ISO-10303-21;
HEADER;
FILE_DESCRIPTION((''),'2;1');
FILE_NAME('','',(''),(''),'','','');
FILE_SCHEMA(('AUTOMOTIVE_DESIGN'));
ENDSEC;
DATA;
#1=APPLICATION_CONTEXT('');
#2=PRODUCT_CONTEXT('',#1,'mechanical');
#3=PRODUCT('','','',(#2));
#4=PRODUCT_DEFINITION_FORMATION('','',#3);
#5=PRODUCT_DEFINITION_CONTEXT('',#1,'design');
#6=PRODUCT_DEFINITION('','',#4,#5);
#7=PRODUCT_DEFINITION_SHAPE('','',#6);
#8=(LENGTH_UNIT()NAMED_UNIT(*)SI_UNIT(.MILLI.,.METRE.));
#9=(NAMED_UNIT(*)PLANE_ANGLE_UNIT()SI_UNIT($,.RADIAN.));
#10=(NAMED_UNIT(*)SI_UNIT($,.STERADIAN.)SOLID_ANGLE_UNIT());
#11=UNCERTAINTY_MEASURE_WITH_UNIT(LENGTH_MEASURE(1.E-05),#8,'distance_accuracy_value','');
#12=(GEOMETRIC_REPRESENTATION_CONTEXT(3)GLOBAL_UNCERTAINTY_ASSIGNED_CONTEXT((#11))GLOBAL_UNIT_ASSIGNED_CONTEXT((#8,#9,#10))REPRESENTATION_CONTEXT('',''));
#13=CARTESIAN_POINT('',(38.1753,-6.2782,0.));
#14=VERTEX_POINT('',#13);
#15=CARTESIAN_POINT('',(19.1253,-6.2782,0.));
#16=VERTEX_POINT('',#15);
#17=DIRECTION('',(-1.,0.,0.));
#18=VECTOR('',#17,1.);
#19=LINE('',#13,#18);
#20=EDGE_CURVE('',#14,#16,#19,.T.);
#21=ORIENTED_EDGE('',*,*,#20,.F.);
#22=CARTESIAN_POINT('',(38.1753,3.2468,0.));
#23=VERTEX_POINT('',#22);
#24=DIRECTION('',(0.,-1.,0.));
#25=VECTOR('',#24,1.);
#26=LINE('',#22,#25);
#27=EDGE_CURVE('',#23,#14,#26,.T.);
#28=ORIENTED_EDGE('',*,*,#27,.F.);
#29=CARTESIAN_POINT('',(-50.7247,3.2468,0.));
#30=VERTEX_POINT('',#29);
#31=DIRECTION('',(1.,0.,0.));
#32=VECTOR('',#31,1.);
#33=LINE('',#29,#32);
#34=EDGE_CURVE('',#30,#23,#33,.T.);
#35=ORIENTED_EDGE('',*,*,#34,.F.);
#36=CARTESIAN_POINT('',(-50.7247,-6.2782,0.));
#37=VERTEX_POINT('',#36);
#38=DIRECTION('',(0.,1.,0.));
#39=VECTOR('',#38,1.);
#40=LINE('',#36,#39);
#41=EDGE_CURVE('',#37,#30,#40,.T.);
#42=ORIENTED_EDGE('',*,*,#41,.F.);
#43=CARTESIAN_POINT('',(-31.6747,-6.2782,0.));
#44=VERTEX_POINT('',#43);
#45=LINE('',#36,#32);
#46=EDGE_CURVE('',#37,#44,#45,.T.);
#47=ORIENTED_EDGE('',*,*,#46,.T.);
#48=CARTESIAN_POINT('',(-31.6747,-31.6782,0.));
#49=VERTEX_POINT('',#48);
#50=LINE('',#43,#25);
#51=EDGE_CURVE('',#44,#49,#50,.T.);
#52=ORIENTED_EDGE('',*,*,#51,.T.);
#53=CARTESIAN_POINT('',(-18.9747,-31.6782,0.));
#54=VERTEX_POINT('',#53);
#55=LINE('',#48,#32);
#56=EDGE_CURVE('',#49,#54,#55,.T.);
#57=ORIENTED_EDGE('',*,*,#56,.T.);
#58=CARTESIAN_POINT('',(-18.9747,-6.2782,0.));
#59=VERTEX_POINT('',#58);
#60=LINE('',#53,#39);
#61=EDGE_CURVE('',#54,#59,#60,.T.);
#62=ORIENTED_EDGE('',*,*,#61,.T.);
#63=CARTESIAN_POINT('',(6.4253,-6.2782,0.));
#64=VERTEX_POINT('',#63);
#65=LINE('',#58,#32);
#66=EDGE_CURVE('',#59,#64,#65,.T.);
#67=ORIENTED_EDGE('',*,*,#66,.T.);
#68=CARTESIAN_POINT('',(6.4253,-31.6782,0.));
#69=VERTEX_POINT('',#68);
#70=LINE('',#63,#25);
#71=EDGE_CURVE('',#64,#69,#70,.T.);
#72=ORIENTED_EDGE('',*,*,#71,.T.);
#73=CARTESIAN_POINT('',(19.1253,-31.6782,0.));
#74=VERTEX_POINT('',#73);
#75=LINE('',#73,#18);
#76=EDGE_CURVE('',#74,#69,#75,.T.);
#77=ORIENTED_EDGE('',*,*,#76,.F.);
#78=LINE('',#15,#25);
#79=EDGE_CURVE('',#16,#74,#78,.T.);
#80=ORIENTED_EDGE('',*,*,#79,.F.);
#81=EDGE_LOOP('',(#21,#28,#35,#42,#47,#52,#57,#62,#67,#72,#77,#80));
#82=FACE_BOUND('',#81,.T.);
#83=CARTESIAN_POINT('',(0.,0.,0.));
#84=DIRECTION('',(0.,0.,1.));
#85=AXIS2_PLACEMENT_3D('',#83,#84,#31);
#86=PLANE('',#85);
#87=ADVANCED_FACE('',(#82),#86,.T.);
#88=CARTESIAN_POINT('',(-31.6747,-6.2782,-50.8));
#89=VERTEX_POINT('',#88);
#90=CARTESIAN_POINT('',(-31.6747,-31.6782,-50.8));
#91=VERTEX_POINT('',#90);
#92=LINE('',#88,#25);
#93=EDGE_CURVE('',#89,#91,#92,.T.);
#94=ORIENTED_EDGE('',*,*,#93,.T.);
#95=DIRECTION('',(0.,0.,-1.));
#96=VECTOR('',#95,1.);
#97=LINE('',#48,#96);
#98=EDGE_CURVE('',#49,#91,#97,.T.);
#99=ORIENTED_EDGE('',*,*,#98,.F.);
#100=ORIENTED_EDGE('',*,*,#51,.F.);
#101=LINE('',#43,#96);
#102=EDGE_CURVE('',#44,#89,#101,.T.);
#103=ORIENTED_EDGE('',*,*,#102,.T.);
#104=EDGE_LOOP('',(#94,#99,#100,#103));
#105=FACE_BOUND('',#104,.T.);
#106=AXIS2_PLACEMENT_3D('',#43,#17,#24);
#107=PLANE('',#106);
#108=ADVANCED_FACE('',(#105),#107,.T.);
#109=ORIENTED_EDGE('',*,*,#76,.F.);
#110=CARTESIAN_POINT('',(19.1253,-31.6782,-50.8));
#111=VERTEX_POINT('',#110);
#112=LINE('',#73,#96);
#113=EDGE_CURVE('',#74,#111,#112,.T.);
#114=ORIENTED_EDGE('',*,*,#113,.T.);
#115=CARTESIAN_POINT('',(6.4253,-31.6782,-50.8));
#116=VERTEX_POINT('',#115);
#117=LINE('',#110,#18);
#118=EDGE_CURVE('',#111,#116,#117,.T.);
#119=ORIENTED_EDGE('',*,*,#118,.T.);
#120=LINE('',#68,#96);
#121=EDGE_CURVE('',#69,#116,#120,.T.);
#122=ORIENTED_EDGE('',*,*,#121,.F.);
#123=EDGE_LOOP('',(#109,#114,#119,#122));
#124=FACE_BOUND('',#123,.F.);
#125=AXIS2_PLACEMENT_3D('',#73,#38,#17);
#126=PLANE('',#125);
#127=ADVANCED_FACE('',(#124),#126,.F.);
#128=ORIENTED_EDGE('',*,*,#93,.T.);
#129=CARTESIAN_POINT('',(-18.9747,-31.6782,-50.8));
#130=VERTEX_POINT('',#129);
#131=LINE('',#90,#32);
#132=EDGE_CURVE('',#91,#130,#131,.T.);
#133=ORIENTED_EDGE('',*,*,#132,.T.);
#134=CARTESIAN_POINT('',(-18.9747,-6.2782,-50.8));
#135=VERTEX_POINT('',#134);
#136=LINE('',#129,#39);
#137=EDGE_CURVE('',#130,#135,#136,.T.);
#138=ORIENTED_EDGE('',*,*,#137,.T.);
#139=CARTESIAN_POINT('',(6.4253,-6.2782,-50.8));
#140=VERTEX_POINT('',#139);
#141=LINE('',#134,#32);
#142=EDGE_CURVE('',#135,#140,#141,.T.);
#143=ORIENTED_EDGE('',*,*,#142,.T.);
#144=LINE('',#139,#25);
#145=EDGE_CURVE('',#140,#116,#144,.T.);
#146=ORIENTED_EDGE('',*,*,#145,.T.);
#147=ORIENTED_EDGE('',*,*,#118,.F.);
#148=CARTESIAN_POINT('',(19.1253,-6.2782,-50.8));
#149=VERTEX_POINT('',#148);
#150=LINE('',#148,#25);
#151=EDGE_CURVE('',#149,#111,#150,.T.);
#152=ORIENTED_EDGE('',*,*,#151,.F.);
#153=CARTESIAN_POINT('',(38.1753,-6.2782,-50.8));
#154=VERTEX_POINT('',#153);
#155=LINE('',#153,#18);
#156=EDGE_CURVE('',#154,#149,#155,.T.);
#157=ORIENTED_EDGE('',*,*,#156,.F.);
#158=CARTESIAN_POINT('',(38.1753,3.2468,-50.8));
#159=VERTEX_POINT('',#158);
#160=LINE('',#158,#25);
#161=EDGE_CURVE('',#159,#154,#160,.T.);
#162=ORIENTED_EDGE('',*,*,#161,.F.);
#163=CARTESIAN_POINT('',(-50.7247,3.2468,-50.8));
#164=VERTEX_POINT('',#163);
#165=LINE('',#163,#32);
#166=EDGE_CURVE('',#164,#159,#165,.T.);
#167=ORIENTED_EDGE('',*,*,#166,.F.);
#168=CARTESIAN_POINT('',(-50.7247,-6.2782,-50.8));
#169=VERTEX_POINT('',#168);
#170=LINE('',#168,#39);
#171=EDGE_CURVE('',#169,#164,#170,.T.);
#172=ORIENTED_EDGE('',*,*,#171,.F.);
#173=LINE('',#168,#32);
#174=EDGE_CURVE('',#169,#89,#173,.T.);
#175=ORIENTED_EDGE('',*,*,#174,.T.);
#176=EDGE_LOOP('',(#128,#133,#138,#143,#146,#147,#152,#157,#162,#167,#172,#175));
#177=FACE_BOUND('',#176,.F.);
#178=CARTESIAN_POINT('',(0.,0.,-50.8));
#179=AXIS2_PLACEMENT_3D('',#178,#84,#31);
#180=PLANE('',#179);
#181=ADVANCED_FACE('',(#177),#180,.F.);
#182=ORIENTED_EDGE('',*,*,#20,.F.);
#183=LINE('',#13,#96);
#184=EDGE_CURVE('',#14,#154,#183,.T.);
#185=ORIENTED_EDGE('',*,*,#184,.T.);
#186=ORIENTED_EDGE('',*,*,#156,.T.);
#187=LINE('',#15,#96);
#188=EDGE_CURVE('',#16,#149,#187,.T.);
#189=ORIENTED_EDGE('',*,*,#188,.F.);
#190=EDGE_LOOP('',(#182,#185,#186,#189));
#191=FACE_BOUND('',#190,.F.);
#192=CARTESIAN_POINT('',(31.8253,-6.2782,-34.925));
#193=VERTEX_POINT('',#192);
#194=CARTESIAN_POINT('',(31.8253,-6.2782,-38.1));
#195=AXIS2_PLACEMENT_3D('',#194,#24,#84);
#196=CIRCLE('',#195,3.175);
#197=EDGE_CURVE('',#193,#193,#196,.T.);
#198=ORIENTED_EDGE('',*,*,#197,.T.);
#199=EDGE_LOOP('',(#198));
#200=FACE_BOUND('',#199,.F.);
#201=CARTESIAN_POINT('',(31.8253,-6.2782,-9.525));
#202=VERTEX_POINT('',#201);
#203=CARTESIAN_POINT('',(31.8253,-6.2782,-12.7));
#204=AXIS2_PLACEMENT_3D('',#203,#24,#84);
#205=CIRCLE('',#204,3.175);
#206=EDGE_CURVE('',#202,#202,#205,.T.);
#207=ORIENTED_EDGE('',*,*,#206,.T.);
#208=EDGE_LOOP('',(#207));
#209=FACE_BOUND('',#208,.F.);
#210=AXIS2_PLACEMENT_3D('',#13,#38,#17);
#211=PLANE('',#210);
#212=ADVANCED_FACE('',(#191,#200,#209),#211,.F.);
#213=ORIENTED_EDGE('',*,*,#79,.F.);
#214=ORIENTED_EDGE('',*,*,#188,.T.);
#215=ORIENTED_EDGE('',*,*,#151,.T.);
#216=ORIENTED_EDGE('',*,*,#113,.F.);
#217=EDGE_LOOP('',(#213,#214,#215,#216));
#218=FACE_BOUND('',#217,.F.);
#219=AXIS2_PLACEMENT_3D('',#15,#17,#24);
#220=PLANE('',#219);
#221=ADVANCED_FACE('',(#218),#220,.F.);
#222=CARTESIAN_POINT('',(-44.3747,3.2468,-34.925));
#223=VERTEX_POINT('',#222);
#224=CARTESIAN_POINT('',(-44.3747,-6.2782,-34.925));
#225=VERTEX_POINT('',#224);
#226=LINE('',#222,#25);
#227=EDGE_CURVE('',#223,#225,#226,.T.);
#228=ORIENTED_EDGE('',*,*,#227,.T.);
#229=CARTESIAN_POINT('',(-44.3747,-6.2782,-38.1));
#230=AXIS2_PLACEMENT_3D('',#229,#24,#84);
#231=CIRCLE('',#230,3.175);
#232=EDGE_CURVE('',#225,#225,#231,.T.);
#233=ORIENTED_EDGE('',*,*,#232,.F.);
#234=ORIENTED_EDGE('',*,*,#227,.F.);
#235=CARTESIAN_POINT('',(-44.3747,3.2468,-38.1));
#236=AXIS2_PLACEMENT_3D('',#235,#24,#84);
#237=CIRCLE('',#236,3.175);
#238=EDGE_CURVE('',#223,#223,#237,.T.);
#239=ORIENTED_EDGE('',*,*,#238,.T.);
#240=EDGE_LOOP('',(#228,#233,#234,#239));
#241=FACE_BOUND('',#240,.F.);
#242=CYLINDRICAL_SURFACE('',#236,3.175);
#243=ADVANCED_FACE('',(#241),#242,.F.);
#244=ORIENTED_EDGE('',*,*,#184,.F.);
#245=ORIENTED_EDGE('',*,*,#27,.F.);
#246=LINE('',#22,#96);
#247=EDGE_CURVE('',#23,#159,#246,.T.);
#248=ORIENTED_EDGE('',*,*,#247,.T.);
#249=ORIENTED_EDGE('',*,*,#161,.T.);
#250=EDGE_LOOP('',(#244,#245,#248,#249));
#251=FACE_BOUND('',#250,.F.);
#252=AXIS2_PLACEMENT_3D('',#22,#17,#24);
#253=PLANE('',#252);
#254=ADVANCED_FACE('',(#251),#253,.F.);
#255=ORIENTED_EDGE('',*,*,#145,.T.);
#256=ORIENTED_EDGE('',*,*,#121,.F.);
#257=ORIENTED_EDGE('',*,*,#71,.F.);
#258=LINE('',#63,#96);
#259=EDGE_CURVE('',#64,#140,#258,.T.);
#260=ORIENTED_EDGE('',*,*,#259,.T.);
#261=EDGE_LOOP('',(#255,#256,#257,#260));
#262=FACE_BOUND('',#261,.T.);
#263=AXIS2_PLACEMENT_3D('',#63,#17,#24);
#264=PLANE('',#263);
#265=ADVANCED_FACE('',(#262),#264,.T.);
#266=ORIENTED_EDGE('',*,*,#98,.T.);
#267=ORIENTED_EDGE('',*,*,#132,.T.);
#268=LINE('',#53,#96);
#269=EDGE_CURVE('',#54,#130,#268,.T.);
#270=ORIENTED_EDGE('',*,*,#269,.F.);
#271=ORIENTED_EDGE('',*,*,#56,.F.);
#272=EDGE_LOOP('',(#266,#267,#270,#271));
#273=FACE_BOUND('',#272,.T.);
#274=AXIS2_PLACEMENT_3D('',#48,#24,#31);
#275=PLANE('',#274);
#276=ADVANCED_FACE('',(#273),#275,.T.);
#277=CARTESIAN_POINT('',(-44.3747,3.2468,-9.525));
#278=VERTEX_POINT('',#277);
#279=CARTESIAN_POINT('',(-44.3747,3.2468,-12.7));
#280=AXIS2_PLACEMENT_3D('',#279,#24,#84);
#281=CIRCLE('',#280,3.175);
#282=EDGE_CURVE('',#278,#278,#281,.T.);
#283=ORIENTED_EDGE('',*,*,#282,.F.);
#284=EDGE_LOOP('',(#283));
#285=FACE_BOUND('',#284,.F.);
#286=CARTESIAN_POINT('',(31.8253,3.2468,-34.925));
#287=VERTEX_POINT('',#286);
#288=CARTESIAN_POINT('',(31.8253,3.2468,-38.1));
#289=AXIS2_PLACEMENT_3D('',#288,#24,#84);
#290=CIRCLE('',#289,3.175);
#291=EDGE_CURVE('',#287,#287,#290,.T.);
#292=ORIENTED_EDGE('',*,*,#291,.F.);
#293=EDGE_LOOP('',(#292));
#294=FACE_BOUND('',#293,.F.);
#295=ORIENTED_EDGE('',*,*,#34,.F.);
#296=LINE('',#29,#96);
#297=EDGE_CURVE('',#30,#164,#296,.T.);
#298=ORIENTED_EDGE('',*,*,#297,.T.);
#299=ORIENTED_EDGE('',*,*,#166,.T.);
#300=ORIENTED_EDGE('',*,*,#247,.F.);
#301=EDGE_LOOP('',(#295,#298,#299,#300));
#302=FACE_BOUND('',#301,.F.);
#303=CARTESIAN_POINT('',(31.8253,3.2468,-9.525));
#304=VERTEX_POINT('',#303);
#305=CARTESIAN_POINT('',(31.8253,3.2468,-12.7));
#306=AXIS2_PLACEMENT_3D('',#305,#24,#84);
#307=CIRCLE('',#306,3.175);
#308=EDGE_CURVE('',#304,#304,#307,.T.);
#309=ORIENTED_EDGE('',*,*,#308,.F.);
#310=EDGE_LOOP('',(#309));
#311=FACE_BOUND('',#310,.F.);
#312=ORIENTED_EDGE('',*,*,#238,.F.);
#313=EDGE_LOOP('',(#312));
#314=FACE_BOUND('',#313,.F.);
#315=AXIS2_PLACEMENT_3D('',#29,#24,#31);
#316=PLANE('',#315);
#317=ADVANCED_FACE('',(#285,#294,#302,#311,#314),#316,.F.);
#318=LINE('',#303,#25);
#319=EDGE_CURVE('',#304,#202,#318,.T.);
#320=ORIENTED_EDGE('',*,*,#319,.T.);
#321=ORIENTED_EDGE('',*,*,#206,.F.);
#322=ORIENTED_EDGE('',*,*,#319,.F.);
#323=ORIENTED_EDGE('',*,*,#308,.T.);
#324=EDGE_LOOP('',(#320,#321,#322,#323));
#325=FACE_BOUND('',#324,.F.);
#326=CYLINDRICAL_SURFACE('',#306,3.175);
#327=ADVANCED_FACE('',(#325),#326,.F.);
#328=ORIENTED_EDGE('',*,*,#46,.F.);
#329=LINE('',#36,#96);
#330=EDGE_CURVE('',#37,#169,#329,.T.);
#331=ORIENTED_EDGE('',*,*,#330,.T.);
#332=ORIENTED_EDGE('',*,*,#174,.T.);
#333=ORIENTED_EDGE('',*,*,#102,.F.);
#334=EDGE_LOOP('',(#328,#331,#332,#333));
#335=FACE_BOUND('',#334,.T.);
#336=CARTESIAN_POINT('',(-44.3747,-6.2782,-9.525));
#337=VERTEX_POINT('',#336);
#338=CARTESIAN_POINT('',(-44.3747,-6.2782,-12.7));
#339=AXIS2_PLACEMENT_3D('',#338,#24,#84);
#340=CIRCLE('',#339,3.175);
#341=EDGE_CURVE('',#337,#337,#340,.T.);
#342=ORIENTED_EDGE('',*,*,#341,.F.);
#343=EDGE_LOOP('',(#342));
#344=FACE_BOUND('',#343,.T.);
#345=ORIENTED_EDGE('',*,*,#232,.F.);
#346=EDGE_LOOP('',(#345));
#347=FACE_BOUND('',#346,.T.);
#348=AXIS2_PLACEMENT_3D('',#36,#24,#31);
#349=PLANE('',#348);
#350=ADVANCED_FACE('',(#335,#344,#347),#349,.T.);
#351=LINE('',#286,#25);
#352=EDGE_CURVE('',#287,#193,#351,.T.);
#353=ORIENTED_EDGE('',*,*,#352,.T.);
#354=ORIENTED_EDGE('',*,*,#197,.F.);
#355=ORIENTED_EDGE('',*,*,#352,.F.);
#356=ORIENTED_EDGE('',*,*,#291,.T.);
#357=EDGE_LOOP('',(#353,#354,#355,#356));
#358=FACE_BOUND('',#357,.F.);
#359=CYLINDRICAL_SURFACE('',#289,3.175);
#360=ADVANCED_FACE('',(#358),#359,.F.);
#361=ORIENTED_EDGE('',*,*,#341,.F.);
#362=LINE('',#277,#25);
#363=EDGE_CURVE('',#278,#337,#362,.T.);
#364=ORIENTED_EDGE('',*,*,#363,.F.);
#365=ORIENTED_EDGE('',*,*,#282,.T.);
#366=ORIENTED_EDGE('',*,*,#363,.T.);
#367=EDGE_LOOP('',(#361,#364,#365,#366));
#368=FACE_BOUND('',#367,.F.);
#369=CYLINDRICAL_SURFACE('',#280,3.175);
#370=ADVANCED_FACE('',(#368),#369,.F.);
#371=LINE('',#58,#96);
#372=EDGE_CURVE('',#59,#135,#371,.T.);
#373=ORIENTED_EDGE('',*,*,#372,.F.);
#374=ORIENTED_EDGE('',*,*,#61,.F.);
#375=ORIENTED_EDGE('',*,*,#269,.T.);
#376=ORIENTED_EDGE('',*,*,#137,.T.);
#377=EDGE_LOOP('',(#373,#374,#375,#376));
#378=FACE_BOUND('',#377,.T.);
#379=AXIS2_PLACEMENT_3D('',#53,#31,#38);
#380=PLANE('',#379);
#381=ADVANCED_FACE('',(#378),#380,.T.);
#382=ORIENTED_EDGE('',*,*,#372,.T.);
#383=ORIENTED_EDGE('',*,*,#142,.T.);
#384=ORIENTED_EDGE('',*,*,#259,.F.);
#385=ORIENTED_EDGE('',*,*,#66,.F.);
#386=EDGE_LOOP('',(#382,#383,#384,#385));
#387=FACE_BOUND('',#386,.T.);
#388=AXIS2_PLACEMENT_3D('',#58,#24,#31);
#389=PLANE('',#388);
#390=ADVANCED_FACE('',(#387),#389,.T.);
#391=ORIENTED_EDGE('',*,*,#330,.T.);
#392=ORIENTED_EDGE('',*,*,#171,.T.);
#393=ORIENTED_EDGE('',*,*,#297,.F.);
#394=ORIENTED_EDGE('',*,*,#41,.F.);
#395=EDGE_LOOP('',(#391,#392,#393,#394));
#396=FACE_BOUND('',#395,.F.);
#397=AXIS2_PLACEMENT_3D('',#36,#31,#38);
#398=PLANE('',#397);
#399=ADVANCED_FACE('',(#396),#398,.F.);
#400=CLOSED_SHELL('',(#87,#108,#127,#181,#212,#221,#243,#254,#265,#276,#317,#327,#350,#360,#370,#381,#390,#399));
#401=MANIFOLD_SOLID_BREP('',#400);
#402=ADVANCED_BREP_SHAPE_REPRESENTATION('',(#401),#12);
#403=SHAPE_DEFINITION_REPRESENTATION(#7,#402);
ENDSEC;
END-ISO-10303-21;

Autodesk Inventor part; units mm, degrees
ref_plane "YZ Plane" through (0, 0, 0) normal (1, 0, 0) x (0, 1, 0)
ref_plane "XZ Plane" through (0, 0, 0) normal (0, 1, 0) x (-1, 0, 0)
ref_plane "XY Plane" through (0, 0, 0) normal (0, 0, 1) x (1, 0, 0)
sketch "Sketch1" plane through (0, 0, 0) normal (0, 0, 1) x (1, 0, 0)
  line L0 (-50.7247, 3.2468) -> (38.1753, 3.2468)
  line L1 (38.1753, 3.2468) -> (38.1753, -6.2782)
  line L2 (-50.7247, -6.2782) -> (-50.7247, 3.2468)
  line L3 (38.1753, -6.2782) -> (19.1253, -6.2782)
  line L4 (-50.7247, -6.2782) -> (-31.6747, -6.2782)
  line L5 (-31.6747, -6.2782) -> (-31.6747, -31.6782)
  line L6 (19.1253, -6.2782) -> (19.1253, -31.6782)
  line L7 (19.1253, -31.6782) -> (6.4253, -31.6782)
  line L8 (-31.6747, -31.6782) -> (-18.9747, -31.6782)
  line L9 (-18.9747, -31.6782) -> (-18.9747, -6.2782)
  line L10 (-18.9747, -6.2782) -> (6.4253, -6.2782)
  line L11 (6.4253, -6.2782) -> (6.4253, -31.6782)
  point P0 (0, 0)
  dimension "d0" = 88.9
  dimension "d1" = 9.525
  dimension "d2" = 19.05
  dimension "d3" = 19.05
  dimension "d4" = 25.4
  dimension "d5" = 12.7
  dimension "d6" = 12.7
extrude "Extrusion1" add sketch "Sketch1" against normal blind 50.8
sketch "Sketch2" plane through (-50.7247, 3.2468, 0) normal (0, 1, 0) x (1, 0, 0)
  line L0 (88.9, 50.8) -> (0, 50.8) projected
  line L1 (0, 0) -> (88.9, 0) projected
  line L2 (88.9, 0) -> (88.9, 50.8) projected
  line L3 (44.45, 0) -> (44.45, 50.8)
  point P0 (50.7247, 0)
  point P1 (82.55, 12.7)
  point P2 (82.55, 38.1)
  point P3 (6.35, 38.1)
  point P4 (6.35, 12.7)
  dimension "d9" = 44.45
  dimension "d10" = 38.1
  dimension "d11" = 38.1
  dimension "d12" = 38.1
  dimension "d13" = 38.1
  dimension "d14" = 25.4
  dimension "d15" = 25.4
  dimension "d16" = 12.7
  dimension "d17" = 12.7
hole "Hole1" at (31.8253, 3.2468, -12.7) at (31.8253, 3.2468, -38.1) at (-44.3747, 3.2468, -38.1) at (-44.3747, 3.2468, -12.7) direction (0, -1, 0) diameter 6.35 depth 25.4 tip angle 118
properties part number "8020_sliders"
